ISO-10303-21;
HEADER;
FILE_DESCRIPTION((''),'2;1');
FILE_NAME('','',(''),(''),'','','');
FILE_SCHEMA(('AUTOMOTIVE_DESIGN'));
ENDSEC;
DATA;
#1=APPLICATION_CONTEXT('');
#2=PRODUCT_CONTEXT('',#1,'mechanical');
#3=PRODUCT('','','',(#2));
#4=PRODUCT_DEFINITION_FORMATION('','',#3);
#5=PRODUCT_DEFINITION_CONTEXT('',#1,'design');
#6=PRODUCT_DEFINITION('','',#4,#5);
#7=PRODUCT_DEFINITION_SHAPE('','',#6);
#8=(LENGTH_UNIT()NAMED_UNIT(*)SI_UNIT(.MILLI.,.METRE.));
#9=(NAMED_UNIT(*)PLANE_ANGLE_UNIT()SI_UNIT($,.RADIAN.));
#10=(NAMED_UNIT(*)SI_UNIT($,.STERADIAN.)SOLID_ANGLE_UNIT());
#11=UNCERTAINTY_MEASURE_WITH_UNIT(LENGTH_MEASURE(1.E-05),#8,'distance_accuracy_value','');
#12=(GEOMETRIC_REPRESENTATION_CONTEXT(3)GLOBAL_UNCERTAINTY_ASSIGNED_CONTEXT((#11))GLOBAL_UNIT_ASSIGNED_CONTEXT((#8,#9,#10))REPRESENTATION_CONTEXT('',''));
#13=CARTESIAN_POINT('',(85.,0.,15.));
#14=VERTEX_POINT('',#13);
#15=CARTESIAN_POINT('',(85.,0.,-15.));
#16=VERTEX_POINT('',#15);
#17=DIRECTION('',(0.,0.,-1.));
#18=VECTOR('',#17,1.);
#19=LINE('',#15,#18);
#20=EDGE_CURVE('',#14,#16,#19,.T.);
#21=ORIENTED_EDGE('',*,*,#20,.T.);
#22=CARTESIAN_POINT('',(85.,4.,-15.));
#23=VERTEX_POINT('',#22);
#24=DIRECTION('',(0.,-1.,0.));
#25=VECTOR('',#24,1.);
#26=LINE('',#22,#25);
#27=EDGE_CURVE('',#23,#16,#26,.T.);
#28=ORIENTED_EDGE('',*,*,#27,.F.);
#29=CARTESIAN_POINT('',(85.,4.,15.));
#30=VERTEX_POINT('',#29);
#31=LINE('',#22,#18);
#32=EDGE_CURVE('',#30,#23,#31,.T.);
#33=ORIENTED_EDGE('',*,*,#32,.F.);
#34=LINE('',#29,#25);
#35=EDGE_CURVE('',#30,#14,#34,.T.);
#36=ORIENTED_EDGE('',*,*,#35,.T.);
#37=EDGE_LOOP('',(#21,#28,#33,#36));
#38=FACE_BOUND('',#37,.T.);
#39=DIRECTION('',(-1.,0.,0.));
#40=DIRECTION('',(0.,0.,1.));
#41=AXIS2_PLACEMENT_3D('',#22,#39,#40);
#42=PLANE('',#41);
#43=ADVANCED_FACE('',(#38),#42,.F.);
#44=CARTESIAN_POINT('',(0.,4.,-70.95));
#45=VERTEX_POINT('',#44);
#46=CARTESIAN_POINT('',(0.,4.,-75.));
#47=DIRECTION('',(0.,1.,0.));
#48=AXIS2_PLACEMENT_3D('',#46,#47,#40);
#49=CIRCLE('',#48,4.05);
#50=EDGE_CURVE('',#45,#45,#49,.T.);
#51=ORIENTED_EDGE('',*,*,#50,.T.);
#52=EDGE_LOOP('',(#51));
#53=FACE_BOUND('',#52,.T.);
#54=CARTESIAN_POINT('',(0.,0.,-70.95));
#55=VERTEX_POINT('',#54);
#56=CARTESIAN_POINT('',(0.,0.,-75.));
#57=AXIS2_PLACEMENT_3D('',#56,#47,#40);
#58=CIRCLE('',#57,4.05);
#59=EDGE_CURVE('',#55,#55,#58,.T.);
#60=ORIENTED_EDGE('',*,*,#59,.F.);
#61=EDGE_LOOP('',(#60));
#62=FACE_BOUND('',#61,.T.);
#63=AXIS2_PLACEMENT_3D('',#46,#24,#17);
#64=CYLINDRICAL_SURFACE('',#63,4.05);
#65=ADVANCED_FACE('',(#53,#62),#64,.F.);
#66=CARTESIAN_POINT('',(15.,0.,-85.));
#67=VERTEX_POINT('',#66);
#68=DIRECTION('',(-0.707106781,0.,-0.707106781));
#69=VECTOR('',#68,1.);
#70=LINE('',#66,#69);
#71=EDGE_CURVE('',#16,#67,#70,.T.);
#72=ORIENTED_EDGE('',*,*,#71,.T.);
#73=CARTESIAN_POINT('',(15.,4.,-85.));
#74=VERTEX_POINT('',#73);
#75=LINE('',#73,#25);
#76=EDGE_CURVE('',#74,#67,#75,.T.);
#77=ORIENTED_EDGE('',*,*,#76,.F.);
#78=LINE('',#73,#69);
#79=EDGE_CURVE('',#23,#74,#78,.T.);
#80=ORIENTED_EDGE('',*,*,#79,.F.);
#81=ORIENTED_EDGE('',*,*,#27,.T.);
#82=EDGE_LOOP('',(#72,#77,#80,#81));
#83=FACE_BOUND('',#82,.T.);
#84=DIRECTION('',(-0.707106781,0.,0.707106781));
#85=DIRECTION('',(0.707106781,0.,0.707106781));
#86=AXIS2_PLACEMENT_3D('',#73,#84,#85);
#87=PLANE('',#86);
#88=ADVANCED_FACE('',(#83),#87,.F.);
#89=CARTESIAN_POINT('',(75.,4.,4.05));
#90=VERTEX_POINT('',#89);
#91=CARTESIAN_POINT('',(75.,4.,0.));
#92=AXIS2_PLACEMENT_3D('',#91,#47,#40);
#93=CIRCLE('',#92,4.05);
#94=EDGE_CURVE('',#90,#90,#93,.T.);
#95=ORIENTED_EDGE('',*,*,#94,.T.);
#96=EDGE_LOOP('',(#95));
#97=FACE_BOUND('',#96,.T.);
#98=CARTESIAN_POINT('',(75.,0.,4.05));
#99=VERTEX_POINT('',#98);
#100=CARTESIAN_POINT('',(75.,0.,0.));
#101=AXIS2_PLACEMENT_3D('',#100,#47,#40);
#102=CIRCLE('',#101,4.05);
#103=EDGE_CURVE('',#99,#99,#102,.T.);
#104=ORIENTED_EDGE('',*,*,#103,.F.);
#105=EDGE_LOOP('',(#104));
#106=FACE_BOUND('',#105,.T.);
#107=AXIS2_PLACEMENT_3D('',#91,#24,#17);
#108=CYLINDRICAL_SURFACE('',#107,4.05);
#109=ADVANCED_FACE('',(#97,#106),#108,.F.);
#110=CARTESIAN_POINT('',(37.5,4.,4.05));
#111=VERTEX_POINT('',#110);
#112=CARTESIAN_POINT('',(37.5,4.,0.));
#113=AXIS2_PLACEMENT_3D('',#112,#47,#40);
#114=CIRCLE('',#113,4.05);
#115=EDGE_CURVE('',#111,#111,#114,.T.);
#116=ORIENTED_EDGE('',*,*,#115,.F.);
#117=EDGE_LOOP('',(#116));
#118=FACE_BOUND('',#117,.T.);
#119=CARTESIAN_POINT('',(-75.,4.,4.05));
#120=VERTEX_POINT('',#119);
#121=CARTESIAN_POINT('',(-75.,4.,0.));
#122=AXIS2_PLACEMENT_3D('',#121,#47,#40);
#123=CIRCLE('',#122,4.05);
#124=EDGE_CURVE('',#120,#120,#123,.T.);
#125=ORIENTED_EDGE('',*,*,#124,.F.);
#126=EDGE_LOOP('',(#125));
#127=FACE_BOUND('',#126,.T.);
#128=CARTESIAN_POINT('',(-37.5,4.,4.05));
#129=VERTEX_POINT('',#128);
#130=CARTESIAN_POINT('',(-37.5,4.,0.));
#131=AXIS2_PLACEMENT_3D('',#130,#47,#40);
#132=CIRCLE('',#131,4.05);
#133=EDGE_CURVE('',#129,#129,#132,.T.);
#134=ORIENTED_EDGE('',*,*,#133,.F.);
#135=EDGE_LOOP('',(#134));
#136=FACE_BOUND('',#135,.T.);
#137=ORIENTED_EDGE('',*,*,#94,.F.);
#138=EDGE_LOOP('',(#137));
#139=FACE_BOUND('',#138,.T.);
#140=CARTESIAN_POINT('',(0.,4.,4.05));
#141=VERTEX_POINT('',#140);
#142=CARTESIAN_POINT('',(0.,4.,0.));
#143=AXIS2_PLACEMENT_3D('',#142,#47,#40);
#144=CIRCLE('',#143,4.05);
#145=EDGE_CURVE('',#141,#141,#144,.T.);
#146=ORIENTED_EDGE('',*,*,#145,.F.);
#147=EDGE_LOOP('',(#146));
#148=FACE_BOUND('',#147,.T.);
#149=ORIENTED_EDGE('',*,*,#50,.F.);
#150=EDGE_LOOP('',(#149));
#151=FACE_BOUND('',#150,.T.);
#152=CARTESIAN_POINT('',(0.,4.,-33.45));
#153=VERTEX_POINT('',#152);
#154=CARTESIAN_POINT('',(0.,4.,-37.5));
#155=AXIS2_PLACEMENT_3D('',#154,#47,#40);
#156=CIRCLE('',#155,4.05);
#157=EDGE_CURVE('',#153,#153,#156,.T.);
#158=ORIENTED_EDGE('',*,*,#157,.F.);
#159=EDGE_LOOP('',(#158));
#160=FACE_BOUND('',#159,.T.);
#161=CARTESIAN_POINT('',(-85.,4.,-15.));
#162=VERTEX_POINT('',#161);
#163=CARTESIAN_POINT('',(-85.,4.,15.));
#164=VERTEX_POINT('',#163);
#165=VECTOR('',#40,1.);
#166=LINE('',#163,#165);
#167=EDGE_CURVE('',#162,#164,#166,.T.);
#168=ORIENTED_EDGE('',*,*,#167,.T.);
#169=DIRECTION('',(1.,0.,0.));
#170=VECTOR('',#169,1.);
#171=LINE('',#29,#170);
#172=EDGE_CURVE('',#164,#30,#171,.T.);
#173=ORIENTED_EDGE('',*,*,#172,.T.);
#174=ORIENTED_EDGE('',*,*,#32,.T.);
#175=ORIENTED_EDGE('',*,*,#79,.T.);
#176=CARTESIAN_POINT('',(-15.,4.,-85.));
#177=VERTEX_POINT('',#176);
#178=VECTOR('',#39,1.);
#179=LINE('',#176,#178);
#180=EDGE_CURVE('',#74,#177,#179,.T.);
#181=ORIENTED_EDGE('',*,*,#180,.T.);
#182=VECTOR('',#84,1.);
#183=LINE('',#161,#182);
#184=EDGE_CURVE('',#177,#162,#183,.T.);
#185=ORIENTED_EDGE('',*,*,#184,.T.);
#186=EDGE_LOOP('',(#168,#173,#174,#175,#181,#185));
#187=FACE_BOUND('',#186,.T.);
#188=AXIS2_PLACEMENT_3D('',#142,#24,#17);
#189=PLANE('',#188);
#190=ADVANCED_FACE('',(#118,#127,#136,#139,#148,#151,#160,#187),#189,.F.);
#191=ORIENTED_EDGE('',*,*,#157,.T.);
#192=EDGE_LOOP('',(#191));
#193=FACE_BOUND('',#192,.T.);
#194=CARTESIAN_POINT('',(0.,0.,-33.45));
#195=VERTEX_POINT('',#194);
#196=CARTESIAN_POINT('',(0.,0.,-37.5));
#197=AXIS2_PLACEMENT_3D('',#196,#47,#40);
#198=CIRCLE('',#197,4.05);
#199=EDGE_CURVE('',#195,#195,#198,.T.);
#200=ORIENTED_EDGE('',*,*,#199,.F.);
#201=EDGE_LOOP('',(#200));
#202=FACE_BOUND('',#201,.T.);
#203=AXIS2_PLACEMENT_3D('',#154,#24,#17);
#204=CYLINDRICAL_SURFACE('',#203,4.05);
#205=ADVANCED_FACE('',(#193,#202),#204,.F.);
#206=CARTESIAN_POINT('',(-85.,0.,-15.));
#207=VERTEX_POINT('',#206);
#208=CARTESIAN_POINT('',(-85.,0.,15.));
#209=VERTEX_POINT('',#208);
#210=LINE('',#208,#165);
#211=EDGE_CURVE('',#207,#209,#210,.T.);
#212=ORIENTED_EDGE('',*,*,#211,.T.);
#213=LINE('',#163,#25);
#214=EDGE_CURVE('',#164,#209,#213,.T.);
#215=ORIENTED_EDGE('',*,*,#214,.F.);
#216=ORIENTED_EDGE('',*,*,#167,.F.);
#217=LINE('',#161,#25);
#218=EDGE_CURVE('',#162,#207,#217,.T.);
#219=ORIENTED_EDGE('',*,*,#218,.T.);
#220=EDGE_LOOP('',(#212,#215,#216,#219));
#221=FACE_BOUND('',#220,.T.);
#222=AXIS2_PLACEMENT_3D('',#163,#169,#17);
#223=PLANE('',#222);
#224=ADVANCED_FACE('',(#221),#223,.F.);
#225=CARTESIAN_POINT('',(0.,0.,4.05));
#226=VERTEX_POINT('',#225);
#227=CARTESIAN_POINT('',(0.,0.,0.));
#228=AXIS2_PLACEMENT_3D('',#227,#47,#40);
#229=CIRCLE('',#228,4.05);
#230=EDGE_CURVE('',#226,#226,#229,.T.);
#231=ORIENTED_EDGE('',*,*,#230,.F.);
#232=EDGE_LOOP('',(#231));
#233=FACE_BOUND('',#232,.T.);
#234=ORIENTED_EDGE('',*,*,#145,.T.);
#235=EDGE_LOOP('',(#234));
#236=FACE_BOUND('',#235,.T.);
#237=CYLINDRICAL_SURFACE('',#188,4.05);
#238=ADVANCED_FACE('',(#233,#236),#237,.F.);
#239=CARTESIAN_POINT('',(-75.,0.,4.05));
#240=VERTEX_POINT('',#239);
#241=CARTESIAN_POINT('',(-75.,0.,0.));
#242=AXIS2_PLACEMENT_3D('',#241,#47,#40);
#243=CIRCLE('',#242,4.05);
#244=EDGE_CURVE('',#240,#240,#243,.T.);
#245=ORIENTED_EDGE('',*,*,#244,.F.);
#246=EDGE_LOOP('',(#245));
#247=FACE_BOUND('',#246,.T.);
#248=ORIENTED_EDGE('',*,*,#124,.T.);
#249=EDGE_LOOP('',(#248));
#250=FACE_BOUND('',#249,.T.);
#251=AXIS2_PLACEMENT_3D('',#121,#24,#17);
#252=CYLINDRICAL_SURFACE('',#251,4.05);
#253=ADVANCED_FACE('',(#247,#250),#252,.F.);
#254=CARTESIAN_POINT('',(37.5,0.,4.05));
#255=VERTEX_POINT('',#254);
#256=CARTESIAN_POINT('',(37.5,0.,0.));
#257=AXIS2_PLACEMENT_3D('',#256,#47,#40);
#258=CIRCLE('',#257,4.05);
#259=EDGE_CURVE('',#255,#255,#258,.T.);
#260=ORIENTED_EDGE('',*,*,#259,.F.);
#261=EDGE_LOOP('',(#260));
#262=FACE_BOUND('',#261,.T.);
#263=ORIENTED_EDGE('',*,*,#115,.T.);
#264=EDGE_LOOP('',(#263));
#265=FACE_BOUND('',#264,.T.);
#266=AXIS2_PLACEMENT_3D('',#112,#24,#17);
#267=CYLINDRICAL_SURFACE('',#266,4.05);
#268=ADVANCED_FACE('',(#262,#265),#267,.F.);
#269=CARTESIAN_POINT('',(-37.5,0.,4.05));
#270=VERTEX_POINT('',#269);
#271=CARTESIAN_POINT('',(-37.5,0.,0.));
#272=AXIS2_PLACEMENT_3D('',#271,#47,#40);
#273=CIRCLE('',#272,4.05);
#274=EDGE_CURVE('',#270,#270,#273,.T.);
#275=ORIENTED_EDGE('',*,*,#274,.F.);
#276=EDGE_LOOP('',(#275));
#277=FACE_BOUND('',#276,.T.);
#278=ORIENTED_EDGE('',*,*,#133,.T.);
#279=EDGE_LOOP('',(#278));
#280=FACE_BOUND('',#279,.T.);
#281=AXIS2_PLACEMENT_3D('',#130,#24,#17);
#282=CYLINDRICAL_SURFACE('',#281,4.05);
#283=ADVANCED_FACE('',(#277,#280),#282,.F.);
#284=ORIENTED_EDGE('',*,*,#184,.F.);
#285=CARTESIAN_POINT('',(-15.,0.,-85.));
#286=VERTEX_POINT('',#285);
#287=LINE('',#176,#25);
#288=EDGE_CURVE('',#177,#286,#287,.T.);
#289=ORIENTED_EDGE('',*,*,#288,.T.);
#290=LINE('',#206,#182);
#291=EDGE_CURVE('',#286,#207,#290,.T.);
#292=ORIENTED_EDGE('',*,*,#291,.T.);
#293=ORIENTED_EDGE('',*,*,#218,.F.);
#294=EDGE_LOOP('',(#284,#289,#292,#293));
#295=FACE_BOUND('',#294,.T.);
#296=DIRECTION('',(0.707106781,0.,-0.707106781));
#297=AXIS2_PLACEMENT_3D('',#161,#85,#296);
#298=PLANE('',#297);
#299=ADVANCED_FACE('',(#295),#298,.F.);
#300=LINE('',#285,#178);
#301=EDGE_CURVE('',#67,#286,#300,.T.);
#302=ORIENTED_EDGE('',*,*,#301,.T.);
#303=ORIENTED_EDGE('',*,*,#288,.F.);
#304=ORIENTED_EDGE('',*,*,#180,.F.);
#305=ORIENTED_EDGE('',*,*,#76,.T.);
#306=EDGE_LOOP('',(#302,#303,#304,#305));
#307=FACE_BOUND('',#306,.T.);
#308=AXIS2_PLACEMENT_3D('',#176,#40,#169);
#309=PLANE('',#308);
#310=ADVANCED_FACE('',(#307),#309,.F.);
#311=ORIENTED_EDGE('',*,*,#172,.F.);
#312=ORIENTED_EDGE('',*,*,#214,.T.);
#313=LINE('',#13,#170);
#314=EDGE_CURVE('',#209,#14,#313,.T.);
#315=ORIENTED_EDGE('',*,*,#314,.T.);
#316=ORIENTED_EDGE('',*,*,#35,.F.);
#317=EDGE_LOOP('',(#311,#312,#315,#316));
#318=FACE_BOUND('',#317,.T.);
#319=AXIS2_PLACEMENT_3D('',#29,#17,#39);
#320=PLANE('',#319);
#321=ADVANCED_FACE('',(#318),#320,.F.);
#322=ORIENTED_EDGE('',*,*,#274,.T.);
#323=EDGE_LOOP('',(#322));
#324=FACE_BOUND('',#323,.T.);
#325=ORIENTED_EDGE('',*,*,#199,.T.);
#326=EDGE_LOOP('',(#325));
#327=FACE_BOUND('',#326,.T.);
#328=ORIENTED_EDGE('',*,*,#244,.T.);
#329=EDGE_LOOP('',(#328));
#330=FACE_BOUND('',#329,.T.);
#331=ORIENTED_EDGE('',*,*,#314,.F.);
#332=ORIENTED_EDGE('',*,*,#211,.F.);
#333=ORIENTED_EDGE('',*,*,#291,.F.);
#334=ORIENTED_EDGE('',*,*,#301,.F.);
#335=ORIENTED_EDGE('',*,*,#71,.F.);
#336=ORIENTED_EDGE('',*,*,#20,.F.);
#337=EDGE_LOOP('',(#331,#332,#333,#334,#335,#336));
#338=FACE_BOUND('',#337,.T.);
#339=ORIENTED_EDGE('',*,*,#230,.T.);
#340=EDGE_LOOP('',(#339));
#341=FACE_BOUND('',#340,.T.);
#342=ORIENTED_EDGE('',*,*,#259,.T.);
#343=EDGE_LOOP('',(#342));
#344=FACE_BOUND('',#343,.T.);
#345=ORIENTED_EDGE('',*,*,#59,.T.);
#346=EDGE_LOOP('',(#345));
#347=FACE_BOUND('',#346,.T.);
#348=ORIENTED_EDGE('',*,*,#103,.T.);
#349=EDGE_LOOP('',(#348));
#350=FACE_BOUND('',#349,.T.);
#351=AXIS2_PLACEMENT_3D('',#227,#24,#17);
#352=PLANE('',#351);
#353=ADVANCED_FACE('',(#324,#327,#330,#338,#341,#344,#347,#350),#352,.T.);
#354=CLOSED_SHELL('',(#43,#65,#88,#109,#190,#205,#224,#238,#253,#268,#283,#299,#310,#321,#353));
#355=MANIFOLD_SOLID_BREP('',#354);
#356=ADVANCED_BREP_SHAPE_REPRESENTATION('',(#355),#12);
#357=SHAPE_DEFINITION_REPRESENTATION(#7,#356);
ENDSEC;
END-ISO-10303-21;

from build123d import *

# Parameters (mm, degrees)
SKETCH1_R           = 4.05
BOSS_EXTRUDE1_DEPTH = 4


with BuildPart() as part:
    # Sketch1 → Boss-Extrude1 (new body)
    with BuildSketch(Plane(origin=(0, 0, 0), x_dir=(1, 0, 0), z_dir=(0, 1, 0))):
        Polygon((85, -15), (-85, -15), (-85, 15), (-15, 85), (15, 85), (85, 15), align=None)
        with Locations(Location((-75, 0, 0), (0, 0, 270))):
            Circle(SKETCH1_R, mode=Mode.SUBTRACT)
        with Locations(Location((-37.5, 0, 0), (0, 0, 270))):
            Circle(SKETCH1_R, mode=Mode.SUBTRACT)
        with Locations(Location((0, 0, 0), (0, 0, 270))):
            Circle(SKETCH1_R, mode=Mode.SUBTRACT)
        with Locations(Location((0, 75, 0), (0, 0, 270))):
            Circle(SKETCH1_R, mode=Mode.SUBTRACT)
        with Locations(Location((0, 37.5, 0), (0, 0, 270))):
            Circle(SKETCH1_R, mode=Mode.SUBTRACT)
        with Locations(Location((75, 0, 0), (0, 0, 270))):
            Circle(SKETCH1_R, mode=Mode.SUBTRACT)
        with Locations(Location((37.5, 0, 0), (0, 0, 270))):
            Circle(SKETCH1_R, mode=Mode.SUBTRACT)
    extrude(amount=BOSS_EXTRUDE1_DEPTH)


solid = part.part
